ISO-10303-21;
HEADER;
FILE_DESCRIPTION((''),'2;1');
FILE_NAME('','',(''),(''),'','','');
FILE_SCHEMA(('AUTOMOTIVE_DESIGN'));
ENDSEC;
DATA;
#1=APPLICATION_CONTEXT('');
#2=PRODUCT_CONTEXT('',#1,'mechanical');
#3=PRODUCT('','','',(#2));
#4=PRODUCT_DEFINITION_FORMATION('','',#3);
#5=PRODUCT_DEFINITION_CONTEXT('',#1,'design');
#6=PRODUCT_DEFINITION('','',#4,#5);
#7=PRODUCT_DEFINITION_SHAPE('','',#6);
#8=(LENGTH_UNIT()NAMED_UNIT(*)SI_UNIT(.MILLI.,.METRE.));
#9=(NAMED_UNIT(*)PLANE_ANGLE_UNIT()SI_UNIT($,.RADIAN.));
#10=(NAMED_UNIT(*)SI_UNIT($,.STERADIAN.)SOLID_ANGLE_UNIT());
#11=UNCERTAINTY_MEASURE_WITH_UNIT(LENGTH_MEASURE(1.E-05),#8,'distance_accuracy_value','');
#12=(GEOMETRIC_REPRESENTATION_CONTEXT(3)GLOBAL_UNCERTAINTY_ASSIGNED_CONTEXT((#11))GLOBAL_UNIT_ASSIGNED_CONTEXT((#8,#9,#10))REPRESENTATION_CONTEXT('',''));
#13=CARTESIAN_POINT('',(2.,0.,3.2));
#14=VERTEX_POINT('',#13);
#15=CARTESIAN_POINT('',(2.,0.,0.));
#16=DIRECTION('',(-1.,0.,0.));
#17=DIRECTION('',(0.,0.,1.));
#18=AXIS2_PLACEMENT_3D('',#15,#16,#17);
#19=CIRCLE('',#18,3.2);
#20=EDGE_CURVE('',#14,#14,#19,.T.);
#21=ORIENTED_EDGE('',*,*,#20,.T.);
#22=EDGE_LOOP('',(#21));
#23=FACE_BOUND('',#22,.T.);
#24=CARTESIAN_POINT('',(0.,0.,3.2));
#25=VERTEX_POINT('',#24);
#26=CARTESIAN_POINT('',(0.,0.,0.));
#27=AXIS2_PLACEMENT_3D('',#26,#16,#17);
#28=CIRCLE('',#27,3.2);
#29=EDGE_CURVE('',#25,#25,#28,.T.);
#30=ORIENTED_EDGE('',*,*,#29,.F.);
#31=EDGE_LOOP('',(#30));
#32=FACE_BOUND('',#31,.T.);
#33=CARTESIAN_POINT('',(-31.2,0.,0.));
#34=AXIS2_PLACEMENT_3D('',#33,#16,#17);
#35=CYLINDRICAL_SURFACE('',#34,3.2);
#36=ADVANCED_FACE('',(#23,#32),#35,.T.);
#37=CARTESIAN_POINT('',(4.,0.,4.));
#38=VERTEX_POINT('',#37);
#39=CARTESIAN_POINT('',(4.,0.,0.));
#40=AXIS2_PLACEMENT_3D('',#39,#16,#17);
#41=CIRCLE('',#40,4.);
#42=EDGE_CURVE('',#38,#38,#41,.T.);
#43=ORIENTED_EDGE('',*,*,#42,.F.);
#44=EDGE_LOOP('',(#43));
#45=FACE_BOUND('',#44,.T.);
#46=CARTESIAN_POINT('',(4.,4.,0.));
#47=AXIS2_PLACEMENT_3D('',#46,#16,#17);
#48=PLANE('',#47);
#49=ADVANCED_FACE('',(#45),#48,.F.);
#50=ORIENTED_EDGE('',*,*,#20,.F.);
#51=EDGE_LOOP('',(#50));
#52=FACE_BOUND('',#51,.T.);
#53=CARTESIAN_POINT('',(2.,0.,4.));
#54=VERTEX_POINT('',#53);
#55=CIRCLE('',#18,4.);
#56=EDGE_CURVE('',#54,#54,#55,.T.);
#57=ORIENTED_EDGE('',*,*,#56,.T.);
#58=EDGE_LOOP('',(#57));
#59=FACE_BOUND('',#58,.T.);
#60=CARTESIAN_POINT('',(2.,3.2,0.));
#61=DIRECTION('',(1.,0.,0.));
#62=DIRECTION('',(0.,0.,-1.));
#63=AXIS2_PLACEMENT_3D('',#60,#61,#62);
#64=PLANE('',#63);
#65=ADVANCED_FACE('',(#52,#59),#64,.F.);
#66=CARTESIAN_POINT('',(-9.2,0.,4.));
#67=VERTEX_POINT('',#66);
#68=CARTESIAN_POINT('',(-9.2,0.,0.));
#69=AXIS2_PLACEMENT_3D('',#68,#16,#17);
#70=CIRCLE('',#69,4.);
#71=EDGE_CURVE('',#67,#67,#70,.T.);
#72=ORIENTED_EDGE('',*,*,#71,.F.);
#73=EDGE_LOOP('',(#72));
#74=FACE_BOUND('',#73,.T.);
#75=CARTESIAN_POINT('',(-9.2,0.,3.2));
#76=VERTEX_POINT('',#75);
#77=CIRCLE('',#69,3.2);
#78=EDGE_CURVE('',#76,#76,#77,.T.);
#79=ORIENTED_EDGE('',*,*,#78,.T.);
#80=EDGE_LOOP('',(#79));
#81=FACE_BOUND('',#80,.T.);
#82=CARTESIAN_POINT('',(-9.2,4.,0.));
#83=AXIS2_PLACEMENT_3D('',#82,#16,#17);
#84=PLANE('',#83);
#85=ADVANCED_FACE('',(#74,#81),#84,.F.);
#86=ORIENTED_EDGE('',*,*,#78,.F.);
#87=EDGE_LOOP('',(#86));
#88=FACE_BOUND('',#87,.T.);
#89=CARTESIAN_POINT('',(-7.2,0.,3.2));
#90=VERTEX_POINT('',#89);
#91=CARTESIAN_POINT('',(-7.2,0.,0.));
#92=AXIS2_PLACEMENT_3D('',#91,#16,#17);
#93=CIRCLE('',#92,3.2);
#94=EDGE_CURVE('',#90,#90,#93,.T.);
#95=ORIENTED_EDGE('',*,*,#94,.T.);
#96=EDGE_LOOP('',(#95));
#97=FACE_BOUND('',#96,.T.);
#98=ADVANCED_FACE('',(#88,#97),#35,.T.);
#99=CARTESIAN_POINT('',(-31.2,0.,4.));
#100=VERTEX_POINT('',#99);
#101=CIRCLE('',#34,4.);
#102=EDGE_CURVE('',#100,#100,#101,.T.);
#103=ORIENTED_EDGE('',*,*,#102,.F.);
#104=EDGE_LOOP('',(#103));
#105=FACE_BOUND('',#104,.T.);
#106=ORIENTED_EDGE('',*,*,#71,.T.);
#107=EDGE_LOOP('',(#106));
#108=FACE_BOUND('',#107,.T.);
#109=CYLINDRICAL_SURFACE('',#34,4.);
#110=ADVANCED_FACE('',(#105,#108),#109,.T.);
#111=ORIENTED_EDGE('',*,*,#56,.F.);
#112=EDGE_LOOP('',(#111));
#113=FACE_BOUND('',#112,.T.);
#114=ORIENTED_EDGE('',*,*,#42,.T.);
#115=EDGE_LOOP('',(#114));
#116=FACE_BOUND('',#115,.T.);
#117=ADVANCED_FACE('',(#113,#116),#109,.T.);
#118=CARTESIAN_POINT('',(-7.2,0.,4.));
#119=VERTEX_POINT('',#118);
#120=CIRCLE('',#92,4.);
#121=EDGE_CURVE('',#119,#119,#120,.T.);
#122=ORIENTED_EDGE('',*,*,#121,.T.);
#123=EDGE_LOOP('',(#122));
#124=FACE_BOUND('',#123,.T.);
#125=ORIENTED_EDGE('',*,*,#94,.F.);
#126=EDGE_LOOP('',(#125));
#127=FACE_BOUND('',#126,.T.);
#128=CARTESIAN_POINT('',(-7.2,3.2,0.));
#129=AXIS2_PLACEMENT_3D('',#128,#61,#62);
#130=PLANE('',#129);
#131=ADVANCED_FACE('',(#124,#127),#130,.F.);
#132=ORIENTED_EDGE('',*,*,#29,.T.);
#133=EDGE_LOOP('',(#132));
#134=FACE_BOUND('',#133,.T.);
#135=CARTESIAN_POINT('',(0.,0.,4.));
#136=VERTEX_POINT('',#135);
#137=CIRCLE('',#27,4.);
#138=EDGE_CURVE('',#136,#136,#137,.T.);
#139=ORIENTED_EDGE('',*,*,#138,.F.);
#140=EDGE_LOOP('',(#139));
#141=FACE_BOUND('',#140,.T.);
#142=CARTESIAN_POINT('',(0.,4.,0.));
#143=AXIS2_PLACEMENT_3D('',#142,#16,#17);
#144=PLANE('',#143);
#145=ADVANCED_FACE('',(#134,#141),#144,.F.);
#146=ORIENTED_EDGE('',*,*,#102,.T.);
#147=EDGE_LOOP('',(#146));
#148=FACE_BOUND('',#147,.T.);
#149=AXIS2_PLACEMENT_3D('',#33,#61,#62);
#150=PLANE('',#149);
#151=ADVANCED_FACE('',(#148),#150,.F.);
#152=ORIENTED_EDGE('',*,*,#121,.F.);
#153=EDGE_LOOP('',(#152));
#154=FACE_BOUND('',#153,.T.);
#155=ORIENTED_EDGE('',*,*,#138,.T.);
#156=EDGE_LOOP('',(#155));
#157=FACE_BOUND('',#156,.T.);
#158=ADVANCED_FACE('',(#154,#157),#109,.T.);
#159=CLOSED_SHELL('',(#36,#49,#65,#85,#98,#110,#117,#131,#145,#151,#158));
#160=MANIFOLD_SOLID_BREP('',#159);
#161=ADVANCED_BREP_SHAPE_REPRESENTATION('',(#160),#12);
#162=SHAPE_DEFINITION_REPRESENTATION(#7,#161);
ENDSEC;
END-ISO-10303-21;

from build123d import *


with BuildPart() as part:
    # Sketch1 → Revolve1 (revolve)
    with BuildSketch(Plane.XY, mode=Mode.PRIVATE) as revolve1_sk:
        Polygon((-31.2, 0), (-31.2, 4), (-9.2, 4), (-9.2, 3.2), (-7.2, 3.2), (-7.2, 4), (0, 4), (0, 3.2), (2, 3.2), (2, 4), (4, 4), (4, 0), align=None)
    revolve(revolve1_sk.sketch.rotate(Axis((-31.2, 0, 0), (1, 0, 0)), 90), axis=Axis((-31.2, 0, 0), (1, 0, 0)))


solid = part.part
